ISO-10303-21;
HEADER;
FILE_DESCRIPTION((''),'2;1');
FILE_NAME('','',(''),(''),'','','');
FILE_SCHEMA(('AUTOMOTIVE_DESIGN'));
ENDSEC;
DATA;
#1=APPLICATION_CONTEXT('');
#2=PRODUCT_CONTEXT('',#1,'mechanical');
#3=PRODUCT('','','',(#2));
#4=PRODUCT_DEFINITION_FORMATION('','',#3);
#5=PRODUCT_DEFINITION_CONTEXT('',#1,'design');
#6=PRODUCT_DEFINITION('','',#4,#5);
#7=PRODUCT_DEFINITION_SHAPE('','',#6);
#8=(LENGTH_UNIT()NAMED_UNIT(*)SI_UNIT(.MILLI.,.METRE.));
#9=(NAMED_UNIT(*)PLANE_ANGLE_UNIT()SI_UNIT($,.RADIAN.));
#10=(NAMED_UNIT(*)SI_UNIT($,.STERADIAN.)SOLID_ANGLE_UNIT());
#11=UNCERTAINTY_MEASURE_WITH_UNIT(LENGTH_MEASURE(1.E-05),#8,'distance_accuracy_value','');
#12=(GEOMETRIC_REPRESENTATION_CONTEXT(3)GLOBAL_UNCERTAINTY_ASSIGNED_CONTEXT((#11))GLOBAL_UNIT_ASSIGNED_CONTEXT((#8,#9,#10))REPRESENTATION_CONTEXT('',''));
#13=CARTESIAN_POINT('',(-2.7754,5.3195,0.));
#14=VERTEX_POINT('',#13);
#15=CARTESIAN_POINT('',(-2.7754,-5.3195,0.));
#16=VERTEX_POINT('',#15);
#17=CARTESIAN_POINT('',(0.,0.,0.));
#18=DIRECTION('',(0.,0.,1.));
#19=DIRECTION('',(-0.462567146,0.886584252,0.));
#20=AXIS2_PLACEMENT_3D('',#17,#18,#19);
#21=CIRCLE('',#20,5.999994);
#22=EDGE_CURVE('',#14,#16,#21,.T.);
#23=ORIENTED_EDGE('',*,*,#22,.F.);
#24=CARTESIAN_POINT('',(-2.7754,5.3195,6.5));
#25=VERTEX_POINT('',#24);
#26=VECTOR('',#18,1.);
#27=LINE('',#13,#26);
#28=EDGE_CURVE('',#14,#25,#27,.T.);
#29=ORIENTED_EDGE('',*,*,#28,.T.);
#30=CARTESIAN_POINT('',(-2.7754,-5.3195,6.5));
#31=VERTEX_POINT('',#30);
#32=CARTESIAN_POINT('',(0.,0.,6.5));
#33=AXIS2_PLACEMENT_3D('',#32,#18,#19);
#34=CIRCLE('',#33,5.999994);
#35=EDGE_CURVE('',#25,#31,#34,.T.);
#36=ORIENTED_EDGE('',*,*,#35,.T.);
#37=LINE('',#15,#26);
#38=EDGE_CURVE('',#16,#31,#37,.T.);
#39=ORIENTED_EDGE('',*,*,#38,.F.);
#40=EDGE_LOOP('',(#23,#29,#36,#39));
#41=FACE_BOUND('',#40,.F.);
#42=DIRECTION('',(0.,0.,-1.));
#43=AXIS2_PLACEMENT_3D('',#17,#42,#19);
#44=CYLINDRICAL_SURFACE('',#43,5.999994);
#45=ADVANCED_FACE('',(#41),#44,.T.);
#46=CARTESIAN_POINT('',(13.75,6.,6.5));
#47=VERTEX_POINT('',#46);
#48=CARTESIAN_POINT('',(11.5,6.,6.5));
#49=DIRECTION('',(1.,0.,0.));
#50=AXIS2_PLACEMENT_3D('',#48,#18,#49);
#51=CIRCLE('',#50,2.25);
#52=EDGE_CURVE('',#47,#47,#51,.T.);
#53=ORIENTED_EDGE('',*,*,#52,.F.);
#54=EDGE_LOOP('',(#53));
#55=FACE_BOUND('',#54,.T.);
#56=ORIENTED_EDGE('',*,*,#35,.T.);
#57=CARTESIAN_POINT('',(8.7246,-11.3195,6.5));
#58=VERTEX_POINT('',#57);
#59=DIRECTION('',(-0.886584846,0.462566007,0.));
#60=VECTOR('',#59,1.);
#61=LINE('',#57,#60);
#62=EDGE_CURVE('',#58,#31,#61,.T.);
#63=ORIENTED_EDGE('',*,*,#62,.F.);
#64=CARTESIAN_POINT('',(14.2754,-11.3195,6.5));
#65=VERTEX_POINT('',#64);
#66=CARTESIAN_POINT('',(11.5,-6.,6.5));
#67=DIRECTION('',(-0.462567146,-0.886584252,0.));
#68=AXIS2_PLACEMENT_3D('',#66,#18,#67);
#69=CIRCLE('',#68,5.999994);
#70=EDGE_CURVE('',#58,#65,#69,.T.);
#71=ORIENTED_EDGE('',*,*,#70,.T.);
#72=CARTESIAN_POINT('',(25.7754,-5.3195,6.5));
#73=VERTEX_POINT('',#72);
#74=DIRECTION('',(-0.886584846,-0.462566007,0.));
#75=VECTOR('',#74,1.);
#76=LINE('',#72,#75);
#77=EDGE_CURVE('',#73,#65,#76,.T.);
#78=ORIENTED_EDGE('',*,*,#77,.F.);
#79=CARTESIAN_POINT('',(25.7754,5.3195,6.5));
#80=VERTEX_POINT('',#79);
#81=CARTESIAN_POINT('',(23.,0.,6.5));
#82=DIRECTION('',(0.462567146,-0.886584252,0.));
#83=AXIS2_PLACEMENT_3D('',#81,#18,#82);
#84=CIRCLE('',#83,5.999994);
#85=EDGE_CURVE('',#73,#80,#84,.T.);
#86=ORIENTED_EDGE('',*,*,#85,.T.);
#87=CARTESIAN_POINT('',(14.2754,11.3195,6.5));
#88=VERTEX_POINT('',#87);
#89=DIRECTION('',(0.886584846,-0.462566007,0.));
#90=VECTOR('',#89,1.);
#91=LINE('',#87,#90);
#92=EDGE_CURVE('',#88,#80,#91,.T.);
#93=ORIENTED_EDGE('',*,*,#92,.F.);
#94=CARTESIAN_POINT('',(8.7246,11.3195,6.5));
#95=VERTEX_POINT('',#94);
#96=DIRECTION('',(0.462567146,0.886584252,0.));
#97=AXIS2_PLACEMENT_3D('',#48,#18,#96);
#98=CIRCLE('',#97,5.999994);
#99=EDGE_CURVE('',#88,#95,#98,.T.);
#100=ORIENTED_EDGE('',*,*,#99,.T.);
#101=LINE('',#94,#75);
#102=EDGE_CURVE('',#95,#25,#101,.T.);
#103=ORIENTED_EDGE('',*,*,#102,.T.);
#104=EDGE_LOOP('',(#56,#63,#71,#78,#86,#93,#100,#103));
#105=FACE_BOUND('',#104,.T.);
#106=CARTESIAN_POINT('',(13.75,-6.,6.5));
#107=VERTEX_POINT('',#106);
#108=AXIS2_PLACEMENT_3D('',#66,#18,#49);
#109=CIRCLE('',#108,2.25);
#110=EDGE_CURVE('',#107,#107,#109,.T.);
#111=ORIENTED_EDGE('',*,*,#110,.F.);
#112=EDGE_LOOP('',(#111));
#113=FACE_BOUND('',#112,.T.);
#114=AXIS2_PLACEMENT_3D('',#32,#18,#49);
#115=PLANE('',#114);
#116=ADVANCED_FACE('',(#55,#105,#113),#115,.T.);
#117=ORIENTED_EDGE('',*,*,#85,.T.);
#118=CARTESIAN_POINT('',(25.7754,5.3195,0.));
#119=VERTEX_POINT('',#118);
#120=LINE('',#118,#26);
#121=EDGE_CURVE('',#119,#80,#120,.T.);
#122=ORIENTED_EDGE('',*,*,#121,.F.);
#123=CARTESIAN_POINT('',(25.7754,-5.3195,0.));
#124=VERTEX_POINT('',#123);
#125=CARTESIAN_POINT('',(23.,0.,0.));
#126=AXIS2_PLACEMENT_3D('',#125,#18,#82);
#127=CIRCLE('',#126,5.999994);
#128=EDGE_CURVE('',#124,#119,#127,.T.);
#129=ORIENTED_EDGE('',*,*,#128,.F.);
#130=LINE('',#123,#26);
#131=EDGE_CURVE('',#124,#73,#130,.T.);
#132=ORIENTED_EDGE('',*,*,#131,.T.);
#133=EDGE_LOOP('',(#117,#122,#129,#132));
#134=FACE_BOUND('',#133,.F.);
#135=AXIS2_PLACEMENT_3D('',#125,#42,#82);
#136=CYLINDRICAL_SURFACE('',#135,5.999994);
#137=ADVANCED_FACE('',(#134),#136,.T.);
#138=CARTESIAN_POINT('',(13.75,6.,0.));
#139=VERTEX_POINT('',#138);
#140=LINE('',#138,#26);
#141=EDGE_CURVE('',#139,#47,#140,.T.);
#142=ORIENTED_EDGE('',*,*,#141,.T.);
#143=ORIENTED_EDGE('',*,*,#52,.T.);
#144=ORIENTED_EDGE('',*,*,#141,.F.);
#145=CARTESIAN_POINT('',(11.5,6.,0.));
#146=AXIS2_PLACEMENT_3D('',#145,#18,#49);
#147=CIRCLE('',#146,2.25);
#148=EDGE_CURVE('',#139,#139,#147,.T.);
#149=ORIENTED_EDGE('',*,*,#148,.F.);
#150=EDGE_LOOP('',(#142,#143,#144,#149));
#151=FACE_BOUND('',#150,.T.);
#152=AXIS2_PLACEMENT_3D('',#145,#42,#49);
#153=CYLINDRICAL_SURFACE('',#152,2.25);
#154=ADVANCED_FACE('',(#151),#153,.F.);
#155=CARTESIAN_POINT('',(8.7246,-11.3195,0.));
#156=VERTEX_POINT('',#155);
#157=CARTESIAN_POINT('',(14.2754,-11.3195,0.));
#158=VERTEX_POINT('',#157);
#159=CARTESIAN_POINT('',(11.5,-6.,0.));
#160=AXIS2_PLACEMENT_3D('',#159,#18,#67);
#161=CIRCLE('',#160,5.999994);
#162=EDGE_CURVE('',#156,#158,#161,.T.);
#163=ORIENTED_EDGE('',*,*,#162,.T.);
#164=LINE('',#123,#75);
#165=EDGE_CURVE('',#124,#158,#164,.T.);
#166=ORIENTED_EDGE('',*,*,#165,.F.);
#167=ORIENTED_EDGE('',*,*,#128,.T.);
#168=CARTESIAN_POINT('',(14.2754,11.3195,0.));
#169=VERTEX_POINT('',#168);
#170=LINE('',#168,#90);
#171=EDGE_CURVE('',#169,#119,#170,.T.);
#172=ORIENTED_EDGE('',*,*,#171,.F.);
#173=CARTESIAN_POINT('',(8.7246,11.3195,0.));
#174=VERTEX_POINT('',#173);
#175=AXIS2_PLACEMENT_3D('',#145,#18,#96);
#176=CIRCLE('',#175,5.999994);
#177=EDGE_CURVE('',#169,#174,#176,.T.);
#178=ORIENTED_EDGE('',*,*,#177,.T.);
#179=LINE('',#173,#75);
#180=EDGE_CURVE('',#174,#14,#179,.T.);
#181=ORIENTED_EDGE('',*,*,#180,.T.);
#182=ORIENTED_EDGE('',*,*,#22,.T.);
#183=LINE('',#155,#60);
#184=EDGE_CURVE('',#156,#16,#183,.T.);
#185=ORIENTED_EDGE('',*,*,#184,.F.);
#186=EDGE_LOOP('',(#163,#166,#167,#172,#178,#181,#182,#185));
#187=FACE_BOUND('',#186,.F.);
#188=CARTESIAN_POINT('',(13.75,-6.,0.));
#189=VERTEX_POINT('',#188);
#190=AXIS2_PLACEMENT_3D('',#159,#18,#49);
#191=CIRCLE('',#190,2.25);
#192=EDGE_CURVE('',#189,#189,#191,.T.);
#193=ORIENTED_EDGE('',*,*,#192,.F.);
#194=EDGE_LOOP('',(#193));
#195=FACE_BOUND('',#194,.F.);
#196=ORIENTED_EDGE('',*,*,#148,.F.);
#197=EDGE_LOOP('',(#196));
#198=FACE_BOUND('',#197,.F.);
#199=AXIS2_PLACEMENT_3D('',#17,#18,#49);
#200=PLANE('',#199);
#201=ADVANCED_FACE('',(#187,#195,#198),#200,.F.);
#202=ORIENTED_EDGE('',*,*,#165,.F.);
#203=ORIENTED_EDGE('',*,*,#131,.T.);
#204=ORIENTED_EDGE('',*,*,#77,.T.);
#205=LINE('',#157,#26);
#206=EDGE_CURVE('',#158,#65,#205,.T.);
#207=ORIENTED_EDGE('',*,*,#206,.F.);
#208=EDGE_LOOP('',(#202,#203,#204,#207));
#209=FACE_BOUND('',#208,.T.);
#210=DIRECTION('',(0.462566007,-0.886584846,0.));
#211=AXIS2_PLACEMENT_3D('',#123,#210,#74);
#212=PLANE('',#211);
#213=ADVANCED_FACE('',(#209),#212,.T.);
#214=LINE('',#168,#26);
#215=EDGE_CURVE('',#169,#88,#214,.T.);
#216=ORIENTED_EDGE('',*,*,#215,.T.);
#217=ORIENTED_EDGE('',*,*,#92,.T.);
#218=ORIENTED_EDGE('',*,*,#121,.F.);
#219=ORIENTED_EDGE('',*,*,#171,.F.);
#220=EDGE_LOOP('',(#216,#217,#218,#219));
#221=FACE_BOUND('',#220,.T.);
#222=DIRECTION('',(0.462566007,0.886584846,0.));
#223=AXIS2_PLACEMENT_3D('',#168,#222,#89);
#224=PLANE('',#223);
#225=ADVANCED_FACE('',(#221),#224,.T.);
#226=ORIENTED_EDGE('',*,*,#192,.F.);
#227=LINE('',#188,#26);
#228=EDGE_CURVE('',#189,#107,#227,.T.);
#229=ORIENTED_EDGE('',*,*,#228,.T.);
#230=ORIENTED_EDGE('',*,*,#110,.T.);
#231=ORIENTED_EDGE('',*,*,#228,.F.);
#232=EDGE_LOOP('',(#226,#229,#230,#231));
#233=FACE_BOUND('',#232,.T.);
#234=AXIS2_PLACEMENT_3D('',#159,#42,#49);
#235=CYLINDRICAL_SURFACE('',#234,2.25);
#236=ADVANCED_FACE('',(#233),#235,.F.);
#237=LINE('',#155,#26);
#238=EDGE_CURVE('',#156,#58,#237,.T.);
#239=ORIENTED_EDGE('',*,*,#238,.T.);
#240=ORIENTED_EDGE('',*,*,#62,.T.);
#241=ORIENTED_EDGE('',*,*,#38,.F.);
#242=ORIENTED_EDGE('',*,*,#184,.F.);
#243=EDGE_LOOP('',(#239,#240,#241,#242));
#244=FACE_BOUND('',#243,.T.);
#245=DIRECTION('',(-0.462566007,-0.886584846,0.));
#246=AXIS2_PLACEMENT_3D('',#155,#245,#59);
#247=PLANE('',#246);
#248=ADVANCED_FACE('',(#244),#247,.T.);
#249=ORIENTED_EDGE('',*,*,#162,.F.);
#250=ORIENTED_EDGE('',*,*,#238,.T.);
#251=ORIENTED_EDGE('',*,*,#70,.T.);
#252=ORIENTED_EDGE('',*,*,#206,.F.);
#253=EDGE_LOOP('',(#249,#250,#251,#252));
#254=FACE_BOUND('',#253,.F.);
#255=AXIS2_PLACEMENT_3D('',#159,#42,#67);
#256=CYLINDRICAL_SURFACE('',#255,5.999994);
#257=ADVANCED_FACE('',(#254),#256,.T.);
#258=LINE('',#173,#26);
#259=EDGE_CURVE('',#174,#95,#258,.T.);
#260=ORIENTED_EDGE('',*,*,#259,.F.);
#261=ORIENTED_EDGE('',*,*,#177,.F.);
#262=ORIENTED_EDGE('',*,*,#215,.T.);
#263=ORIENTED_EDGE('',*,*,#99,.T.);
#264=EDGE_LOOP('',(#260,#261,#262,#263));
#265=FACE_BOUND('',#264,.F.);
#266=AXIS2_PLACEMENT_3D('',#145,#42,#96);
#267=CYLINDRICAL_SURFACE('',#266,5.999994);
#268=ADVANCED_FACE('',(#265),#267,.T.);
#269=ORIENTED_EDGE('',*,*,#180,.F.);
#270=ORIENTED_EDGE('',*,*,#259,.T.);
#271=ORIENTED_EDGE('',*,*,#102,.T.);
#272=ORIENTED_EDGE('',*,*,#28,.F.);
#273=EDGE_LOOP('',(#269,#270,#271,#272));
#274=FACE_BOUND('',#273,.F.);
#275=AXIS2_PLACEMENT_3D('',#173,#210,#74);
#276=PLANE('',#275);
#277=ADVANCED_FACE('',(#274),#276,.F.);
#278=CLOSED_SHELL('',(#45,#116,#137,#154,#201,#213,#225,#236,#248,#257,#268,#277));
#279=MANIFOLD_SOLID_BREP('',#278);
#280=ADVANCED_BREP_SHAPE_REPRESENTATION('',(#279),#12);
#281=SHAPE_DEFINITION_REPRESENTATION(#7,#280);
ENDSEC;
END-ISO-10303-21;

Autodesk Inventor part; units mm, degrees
ref_plane "YZ Plane" through (0, 0, 0) normal (1, 0, 0) x (0, 1, 0)
ref_plane "XZ Plane" through (0, 0, 0) normal (0, 1, 0) x (-1, 0, 0)
ref_plane "XY Plane" through (0, 0, 0) normal (0, 0, 1) x (1, 0, 0)
sketch "Sketch1" plane through (0, 0, 0) normal (0, 0, 1) x (1, 0, 0)
  circle A0 centre (0, 0) radius 4 construction
  circle A1 centre (23, 0) radius 2.5 construction
  arc A2 (-2.7754, 5.3195) -> (-2.7754, -5.3195) centre (0, 0) ccw
  arc A3 (25.7754, -5.3195) -> (25.7754, 5.3195) centre (23, 0) ccw
  circle A4 centre (11.5, 6) radius 2.25
  line L0 (0, 0) -> (23, 0) construction
  circle A5 centre (11.5, -6) radius 2.25
  line L1 (11.5, 6) -> (11.5, -6) construction
  circle A6 centre (11.5, 6) radius 4.5 construction
  arc A7 (14.2754, 11.3195) -> (8.7246, 11.3195) centre (11.5, 6) ccw
  arc A8 (8.7246, -11.3195) -> (14.2754, -11.3195) centre (11.5, -6) ccw
  line L2 (8.7246, 11.3195) -> (-2.7754, 5.3195)
  line L3 (14.2754, 11.3195) -> (25.7754, 5.3195)
  line L4 (8.7246, -11.3195) -> (-2.7754, -5.3195)
  line L5 (25.7754, -5.3195) -> (14.2754, -11.3195)
  point P0 (11.5, 0)
  dimension "d0" = 8
  dimension "d1" = 5
  dimension "d2" = 23
  dimension "d3" = 12
  dimension "d4" = 4.5
  dimension "d5" = 9
  dimension "d6" = 12
  dimension "d7" = 12
extrude "Extrusion1" add sketch "Sketch1" along normal blind 6.5
properties part number "z_axis_top_cap"
